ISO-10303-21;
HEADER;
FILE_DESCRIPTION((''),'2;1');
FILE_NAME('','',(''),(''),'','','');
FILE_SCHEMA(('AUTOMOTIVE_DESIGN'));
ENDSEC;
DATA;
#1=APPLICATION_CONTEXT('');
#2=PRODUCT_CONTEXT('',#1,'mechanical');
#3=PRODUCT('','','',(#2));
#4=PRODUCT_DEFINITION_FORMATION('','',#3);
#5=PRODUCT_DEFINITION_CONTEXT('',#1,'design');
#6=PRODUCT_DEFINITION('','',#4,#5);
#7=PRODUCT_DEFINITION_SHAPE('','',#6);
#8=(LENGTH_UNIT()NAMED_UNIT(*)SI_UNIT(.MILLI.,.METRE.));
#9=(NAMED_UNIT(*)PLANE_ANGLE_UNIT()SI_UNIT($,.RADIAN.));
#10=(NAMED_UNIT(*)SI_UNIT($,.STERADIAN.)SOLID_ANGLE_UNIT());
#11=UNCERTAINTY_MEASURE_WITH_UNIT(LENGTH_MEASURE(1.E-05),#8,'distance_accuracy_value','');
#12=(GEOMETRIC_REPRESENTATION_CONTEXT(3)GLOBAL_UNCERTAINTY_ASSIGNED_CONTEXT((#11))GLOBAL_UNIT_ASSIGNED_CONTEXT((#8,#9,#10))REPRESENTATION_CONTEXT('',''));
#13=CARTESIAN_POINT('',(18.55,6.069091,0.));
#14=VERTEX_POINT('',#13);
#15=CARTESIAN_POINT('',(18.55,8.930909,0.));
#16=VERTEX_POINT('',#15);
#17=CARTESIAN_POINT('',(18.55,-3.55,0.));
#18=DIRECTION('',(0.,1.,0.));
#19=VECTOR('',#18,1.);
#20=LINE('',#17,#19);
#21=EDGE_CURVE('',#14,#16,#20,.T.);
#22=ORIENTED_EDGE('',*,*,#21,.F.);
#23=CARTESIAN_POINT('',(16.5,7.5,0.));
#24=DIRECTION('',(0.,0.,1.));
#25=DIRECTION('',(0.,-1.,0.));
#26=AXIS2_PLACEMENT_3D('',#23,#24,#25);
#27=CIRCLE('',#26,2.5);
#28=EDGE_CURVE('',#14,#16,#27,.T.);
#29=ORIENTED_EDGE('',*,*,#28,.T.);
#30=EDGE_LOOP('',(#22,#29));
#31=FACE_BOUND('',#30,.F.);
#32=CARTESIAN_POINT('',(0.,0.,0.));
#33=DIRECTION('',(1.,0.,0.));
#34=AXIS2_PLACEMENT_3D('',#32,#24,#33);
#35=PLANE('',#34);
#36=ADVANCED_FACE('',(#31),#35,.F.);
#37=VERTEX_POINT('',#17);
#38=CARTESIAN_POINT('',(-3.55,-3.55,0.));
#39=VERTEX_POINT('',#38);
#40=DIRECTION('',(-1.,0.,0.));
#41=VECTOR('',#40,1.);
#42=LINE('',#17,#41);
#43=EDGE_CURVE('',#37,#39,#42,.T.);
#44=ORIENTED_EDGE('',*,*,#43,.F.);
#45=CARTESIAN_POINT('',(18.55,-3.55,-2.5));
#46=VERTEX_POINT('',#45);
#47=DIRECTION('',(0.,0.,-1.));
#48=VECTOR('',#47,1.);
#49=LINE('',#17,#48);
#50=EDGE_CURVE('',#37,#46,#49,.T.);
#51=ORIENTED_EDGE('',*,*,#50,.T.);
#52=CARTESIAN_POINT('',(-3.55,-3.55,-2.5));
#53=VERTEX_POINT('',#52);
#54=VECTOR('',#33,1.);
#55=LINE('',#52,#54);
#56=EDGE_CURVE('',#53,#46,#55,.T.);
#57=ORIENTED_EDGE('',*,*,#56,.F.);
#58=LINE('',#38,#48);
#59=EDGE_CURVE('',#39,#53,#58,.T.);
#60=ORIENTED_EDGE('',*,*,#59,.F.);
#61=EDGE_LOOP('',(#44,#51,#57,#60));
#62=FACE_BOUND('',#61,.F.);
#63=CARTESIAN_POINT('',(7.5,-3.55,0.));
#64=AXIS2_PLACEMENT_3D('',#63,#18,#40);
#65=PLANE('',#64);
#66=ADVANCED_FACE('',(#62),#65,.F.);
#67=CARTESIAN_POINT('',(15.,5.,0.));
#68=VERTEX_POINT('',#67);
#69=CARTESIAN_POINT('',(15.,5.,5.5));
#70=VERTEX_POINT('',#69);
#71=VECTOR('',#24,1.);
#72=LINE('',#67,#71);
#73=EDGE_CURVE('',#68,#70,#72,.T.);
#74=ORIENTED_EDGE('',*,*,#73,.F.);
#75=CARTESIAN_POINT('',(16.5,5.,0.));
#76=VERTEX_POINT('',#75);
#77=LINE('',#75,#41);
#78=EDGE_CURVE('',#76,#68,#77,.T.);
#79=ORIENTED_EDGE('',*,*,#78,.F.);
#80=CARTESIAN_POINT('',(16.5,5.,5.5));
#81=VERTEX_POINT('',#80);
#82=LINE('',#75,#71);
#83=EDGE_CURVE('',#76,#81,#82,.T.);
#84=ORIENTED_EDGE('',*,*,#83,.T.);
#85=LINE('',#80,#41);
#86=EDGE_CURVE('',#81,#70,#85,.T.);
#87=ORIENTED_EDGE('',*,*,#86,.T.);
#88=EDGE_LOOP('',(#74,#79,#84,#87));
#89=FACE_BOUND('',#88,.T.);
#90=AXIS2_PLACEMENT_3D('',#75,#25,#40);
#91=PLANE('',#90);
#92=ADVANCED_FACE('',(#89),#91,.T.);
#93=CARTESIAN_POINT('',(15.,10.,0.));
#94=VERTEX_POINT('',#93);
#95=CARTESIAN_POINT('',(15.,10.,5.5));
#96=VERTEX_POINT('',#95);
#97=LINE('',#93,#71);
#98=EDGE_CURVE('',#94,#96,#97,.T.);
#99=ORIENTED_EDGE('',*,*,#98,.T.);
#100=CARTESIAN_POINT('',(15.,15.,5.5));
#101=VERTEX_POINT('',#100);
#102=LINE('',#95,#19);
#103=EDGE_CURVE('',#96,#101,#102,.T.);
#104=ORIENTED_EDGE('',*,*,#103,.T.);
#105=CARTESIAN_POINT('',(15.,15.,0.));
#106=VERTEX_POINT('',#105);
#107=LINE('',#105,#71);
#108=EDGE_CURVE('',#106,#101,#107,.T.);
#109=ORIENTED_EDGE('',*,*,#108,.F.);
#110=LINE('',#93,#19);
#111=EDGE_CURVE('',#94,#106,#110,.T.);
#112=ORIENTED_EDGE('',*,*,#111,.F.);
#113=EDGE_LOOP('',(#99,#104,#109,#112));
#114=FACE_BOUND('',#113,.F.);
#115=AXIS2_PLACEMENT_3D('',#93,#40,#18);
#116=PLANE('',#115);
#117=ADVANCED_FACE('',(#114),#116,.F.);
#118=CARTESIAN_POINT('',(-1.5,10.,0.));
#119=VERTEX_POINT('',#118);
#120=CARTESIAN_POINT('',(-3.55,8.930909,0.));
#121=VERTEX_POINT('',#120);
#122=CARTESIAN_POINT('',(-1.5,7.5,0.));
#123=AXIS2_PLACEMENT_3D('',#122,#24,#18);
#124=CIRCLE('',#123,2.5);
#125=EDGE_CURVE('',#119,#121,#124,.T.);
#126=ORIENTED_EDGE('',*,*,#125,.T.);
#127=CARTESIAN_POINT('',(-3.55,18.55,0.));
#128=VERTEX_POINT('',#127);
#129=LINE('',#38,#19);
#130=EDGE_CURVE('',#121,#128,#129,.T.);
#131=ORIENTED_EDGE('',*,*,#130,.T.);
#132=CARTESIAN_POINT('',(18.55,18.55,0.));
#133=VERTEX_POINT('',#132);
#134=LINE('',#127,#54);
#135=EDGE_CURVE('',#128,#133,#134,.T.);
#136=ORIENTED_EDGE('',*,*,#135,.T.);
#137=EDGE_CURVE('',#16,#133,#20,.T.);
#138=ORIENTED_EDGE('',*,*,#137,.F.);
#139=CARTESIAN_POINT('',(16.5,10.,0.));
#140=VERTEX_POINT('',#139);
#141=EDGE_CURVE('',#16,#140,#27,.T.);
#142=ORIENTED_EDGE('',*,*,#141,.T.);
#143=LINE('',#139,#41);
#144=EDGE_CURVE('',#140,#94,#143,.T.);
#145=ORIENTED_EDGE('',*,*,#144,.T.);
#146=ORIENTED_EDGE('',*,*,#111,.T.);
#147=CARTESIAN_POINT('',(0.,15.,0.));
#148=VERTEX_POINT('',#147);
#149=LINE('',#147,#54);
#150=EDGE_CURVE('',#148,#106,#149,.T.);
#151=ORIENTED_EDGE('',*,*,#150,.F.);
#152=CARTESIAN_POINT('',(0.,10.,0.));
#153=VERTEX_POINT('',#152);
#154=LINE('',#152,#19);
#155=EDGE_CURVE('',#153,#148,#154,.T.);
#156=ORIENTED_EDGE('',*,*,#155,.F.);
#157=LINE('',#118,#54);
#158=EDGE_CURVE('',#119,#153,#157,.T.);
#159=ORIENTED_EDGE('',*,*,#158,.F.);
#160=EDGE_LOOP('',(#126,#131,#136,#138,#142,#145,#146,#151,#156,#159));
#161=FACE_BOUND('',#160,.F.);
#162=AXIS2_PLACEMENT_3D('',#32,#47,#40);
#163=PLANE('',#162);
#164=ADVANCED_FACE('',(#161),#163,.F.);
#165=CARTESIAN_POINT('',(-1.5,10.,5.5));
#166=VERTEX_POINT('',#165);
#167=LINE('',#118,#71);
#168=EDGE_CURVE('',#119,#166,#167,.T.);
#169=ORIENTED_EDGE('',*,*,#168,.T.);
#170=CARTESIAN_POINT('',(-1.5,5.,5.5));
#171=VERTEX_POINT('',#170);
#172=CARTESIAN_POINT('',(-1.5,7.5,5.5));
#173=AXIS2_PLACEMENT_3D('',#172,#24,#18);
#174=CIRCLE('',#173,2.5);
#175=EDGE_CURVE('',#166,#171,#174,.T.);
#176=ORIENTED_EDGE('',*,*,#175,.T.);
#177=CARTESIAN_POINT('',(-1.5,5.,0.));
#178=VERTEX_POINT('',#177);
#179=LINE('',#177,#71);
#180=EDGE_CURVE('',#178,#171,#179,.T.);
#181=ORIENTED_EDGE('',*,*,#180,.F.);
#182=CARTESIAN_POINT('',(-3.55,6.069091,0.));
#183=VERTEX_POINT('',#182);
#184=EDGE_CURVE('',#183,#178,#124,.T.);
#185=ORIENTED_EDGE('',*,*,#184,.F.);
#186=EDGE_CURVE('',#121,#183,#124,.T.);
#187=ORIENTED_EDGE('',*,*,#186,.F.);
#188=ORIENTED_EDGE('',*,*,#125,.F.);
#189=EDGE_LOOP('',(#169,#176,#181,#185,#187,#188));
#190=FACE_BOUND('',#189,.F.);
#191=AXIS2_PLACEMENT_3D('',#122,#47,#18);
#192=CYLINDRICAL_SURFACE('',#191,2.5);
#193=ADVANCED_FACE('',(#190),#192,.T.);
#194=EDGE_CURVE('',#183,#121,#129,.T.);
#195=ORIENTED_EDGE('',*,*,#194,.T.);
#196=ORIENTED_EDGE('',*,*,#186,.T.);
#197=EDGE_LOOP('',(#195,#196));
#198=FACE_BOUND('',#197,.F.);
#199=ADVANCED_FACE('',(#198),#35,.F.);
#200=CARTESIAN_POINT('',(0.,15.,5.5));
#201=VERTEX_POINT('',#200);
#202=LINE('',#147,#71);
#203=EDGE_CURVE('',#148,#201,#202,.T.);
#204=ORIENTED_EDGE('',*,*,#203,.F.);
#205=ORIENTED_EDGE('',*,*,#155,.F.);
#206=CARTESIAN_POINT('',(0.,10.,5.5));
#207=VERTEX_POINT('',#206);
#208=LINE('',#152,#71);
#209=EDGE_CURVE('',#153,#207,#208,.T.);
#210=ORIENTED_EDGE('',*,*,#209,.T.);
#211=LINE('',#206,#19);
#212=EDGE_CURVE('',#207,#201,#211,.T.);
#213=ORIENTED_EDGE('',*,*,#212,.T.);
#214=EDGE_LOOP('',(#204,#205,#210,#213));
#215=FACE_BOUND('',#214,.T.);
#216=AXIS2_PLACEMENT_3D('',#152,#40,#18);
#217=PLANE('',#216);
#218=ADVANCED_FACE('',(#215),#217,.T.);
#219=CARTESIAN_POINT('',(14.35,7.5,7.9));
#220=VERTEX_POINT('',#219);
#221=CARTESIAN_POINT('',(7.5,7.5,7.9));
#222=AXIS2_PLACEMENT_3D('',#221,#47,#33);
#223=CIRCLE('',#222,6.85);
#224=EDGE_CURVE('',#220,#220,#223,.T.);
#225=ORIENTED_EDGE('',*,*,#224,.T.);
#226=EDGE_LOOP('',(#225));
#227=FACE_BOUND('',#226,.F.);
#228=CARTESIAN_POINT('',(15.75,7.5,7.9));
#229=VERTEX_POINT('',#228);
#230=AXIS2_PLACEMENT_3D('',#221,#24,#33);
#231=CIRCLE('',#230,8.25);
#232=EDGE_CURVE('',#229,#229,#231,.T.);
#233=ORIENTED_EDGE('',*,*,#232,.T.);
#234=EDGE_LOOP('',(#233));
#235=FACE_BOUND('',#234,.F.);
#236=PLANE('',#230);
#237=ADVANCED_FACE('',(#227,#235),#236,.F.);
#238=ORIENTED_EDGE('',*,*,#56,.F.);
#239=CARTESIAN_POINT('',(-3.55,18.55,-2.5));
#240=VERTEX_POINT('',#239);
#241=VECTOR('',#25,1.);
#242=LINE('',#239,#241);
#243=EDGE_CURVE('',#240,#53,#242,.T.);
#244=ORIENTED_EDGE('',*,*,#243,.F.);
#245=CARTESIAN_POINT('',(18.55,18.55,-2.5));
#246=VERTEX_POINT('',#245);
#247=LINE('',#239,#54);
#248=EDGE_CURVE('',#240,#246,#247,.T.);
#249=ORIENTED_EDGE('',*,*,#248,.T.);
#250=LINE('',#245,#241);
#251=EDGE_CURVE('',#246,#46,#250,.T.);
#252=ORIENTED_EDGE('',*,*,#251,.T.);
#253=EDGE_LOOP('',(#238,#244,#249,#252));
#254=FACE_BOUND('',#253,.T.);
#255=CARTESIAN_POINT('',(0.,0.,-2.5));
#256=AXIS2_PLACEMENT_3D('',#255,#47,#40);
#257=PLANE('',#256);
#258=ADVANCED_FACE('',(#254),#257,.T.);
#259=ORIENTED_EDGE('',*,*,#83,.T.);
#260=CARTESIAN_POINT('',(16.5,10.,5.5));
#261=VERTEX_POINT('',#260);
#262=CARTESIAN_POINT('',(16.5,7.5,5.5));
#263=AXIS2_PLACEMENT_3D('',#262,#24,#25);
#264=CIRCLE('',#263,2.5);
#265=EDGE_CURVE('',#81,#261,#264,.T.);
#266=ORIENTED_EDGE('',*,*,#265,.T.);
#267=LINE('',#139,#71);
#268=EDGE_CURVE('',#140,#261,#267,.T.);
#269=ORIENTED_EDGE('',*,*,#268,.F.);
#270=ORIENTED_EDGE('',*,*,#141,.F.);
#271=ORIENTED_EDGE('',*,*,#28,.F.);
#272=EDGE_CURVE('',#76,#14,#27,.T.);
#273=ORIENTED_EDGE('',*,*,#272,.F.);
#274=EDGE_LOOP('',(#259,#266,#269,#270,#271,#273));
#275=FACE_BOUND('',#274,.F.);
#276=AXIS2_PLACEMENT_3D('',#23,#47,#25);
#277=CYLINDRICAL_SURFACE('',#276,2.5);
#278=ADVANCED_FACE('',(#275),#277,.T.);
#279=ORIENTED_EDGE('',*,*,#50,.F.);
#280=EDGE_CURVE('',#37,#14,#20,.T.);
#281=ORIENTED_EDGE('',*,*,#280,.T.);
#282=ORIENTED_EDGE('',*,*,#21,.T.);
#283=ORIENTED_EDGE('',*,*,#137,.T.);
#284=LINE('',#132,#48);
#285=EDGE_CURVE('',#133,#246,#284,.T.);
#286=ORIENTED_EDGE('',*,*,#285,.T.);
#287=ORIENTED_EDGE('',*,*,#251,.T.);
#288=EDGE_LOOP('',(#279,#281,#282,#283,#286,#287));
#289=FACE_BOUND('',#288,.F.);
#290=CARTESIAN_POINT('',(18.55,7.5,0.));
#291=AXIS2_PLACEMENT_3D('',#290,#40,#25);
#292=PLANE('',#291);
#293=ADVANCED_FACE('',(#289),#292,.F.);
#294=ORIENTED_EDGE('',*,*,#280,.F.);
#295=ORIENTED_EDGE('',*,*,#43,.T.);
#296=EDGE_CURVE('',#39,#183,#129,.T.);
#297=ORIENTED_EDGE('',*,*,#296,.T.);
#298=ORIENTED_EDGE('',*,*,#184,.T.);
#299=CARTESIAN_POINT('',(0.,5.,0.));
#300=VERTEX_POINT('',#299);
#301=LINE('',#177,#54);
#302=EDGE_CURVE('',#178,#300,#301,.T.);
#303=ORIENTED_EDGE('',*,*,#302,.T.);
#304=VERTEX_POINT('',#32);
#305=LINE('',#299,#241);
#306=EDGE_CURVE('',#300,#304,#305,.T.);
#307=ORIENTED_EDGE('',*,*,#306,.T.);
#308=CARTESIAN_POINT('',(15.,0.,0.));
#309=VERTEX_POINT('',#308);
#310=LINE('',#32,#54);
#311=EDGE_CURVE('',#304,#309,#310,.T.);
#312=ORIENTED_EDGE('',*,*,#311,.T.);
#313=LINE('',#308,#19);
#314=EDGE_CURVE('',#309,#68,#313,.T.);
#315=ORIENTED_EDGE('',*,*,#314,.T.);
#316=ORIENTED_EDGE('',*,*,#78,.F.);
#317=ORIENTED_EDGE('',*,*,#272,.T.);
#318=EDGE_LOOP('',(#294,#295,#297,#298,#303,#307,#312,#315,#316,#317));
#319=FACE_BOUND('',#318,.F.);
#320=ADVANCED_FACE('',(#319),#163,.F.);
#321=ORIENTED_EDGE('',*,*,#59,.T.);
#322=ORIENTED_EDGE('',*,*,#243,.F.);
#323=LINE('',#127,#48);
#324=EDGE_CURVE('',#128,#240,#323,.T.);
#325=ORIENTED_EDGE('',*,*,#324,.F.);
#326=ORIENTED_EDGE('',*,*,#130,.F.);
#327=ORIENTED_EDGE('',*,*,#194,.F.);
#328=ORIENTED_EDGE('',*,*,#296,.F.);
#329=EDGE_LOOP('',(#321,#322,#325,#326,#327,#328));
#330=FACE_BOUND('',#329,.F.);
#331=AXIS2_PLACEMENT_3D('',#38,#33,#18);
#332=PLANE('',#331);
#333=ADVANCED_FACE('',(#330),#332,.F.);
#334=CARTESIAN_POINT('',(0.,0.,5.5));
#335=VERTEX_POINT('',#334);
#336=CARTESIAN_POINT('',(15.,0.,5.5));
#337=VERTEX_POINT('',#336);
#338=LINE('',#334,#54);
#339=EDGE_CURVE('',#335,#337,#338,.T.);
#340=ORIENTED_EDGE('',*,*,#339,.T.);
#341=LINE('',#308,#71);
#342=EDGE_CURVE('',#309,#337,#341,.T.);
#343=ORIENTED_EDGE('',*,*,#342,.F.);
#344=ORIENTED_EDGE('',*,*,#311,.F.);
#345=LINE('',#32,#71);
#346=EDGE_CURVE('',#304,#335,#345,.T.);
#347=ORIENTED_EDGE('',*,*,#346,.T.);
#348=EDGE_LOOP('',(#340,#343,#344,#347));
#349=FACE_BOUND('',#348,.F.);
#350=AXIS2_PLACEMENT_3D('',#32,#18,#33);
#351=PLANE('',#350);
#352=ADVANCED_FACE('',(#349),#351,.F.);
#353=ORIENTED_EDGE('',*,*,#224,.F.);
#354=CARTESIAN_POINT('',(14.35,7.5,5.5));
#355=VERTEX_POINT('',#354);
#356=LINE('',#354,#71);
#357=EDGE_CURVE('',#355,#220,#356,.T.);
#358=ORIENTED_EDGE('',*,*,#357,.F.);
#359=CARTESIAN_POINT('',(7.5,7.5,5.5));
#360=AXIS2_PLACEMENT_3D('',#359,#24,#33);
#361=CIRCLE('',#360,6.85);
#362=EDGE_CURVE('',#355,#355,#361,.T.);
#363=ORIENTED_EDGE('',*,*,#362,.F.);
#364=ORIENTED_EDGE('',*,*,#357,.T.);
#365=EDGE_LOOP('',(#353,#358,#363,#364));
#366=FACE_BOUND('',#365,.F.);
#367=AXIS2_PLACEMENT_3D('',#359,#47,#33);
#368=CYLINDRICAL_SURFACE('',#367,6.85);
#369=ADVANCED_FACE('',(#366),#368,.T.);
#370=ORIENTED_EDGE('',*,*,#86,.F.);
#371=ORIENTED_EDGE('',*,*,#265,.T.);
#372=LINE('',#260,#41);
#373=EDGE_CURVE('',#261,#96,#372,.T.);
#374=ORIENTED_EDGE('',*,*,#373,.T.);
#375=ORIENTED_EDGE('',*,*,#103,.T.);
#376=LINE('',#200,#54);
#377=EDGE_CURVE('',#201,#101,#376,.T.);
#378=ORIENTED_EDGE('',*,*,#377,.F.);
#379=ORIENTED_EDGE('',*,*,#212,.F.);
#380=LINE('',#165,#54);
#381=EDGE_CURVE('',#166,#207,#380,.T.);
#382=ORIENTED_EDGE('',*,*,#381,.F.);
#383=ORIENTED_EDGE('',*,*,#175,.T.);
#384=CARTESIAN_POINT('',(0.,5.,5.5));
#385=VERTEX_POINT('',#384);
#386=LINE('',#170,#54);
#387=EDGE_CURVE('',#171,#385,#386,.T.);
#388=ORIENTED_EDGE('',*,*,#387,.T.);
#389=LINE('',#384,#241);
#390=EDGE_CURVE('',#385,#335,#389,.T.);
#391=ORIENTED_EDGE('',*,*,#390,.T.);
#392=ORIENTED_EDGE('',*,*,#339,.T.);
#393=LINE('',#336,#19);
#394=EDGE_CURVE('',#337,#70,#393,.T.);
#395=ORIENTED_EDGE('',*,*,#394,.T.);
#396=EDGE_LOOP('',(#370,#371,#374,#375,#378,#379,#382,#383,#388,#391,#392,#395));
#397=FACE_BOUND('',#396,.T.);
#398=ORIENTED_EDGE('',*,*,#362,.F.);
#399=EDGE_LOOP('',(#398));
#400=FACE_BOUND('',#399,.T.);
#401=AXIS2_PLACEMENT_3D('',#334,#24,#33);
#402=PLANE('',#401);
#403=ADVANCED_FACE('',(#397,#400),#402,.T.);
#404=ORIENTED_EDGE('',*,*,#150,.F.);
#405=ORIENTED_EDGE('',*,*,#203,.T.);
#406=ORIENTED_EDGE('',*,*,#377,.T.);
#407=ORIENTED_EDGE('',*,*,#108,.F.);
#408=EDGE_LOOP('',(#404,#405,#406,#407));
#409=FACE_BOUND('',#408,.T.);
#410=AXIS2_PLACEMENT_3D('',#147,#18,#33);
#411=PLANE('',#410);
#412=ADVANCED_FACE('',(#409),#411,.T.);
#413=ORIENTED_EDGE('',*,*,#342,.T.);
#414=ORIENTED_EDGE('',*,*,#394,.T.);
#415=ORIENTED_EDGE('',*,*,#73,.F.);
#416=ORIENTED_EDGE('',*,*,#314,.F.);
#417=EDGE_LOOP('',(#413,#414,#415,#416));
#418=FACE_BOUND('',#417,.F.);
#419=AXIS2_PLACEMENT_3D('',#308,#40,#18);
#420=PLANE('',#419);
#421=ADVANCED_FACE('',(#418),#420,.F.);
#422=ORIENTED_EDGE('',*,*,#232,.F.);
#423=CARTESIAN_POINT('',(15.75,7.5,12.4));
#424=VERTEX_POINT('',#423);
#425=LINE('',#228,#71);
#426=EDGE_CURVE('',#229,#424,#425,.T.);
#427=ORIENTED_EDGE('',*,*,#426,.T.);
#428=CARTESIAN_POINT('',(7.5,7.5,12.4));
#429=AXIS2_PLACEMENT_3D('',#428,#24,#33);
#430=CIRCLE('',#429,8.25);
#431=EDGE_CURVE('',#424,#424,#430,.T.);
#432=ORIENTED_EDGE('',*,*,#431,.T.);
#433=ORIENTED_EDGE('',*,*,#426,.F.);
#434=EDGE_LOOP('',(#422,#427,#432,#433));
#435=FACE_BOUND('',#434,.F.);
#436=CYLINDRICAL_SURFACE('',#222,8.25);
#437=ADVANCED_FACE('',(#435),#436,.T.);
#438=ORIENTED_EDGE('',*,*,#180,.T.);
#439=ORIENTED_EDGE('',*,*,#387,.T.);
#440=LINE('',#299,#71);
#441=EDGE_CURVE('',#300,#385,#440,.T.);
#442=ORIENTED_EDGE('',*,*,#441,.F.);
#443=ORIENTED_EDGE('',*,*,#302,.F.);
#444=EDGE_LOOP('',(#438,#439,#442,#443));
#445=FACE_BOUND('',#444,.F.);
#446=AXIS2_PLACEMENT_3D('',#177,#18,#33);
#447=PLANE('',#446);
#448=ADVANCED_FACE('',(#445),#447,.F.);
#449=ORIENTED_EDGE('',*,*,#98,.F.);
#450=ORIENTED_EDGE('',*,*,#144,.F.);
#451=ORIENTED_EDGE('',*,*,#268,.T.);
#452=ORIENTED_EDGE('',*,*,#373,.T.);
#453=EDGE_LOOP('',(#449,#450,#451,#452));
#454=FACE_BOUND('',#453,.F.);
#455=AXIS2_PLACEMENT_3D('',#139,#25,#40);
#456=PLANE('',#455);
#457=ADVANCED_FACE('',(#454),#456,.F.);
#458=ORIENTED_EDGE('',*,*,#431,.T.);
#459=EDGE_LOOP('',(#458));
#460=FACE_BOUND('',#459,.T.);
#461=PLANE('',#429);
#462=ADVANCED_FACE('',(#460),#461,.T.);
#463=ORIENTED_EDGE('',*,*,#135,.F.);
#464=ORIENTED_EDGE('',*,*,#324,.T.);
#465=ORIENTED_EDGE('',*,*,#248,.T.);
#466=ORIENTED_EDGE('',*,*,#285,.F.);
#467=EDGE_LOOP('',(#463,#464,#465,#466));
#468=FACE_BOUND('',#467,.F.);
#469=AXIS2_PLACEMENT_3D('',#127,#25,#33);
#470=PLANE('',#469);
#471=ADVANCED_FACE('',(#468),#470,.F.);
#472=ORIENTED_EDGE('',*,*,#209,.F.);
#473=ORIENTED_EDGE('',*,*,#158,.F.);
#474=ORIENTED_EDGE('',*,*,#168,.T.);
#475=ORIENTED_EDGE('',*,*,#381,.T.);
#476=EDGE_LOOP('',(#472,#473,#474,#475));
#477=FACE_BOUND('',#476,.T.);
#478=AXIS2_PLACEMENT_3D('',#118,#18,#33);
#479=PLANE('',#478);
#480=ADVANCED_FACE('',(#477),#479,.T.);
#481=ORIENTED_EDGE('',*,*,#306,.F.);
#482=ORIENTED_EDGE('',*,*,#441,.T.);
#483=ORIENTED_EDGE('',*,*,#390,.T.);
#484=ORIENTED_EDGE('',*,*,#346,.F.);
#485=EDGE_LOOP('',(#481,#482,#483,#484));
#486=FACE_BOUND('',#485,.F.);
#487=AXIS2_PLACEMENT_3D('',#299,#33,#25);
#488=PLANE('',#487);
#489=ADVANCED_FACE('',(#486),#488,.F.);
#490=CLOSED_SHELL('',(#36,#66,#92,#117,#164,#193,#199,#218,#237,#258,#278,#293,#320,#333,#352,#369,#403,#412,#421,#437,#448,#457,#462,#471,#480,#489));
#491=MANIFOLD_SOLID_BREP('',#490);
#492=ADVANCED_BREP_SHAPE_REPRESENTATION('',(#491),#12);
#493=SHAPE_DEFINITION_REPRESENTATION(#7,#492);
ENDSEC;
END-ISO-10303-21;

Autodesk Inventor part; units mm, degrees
ref_plane "YZ Plane" through (0, 0, 0) normal (1, 0, 0) x (0, 1, 0)
ref_plane "XZ Plane" through (0, 0, 0) normal (0, 1, 0) x (-1, 0, 0)
ref_plane "XY Plane" through (0, 0, 0) normal (0, 0, 1) x (1, 0, 0)
sketch "Sketch1" plane through (0, 0, 0) normal (0, 0, 1) x (1, 0, 0)
  line L0 (0, 0) -> (15, 0) construction
  line L1 (15, 0) -> (15, 15) construction
  line L2 (15, 15) -> (0, 15) construction
  line L3 (0, 15) -> (0, 0) construction
  circle A0 centre (-1.5, 7.5) radius 2.5 construction
  circle A1 centre (16.5, 7.5) radius 2.5 construction
  line L4 (0, 15) -> (15, 15)
  line L5 (0, 0) -> (15, 0)
  arc A2 (-1.5, 10) -> (-1.5, 5) centre (-1.5, 7.5) ccw
  arc A3 (16.5, 5) -> (16.5, 10) centre (16.5, 7.5) ccw
  line L6 (-1.5, 10) -> (0, 10)
  line L7 (-1.5, 5) -> (0, 5)
  line L8 (16.5, 10) -> (15, 10)
  line L9 (16.5, 5) -> (15, 5)
  line L10 (15, 10) -> (15, 15)
  line L11 (0, 10) -> (0, 15)
  line L12 (0, 5) -> (0, 0)
  line L13 (15, 0) -> (15, 5)
  dimension "d0" = 15
  dimension "d1" = 15
  dimension "d2" = 5
  dimension "d3" = 5
extrude "Extrusion1" add sketch "Sketch1" along normal blind 5.5
sketch "Sketch2" plane through (0, 0, 5.5) normal (0, 0, 1) x (1, 0, 0)
  line L0 (0, 5) -> (-1.5, 5) projected
  line L1 (7.5, 18.6806) -> (7.5, -6.0082)
  line L2 (-7.546, 7.5) -> (23.0032, 7.5)
  circle A0 centre (7.5, 7.5) radius 6.85
  dimension "d6" = 13.7
extrude "Extrusion2" add sketch "Sketch2" along normal blind 2.4
sketch "Sketch3" plane through (7.5, 7.5, 7.9) normal (0, 0, 1) x (1, 0, 0)
  circle A0 centre (0, 0) radius 6.85 projected
  circle A1 centre (0, 0) radius 8.25
  point P0 (-7.5, -7.5)
  dimension "d9" = 16.5
extrude "Extrusion3" add sketch "Sketch3" along normal blind 4.5 contours A0 | A1
sketch "Sketch4" plane through (0, 0, 0) normal (0, 0, -1) x (-1, 0, 0)
  line L0 (-15, 0) -> (-15, 5) projected
  line L1 (-7.5, 18.462) -> (-7.5, -5.0214)
  line L2 (-22.4523, 7.5) -> (8.5989, 7.5)
  circle A0 centre (-7.5, 7.5) radius 11.05 construction
  line L3 (-18.55, -3.55) -> (3.55, -3.55)
  line L4 (3.55, -3.55) -> (3.55, 18.55)
  line L5 (3.55, 18.55) -> (-18.55, 18.55)
  line L6 (-18.55, 18.55) -> (-18.55, -3.55)
  dimension "d12" = 22.1
extrude "Extrusion4" add sketch "Sketch4" along normal blind 2.5
properties part number "camera"
